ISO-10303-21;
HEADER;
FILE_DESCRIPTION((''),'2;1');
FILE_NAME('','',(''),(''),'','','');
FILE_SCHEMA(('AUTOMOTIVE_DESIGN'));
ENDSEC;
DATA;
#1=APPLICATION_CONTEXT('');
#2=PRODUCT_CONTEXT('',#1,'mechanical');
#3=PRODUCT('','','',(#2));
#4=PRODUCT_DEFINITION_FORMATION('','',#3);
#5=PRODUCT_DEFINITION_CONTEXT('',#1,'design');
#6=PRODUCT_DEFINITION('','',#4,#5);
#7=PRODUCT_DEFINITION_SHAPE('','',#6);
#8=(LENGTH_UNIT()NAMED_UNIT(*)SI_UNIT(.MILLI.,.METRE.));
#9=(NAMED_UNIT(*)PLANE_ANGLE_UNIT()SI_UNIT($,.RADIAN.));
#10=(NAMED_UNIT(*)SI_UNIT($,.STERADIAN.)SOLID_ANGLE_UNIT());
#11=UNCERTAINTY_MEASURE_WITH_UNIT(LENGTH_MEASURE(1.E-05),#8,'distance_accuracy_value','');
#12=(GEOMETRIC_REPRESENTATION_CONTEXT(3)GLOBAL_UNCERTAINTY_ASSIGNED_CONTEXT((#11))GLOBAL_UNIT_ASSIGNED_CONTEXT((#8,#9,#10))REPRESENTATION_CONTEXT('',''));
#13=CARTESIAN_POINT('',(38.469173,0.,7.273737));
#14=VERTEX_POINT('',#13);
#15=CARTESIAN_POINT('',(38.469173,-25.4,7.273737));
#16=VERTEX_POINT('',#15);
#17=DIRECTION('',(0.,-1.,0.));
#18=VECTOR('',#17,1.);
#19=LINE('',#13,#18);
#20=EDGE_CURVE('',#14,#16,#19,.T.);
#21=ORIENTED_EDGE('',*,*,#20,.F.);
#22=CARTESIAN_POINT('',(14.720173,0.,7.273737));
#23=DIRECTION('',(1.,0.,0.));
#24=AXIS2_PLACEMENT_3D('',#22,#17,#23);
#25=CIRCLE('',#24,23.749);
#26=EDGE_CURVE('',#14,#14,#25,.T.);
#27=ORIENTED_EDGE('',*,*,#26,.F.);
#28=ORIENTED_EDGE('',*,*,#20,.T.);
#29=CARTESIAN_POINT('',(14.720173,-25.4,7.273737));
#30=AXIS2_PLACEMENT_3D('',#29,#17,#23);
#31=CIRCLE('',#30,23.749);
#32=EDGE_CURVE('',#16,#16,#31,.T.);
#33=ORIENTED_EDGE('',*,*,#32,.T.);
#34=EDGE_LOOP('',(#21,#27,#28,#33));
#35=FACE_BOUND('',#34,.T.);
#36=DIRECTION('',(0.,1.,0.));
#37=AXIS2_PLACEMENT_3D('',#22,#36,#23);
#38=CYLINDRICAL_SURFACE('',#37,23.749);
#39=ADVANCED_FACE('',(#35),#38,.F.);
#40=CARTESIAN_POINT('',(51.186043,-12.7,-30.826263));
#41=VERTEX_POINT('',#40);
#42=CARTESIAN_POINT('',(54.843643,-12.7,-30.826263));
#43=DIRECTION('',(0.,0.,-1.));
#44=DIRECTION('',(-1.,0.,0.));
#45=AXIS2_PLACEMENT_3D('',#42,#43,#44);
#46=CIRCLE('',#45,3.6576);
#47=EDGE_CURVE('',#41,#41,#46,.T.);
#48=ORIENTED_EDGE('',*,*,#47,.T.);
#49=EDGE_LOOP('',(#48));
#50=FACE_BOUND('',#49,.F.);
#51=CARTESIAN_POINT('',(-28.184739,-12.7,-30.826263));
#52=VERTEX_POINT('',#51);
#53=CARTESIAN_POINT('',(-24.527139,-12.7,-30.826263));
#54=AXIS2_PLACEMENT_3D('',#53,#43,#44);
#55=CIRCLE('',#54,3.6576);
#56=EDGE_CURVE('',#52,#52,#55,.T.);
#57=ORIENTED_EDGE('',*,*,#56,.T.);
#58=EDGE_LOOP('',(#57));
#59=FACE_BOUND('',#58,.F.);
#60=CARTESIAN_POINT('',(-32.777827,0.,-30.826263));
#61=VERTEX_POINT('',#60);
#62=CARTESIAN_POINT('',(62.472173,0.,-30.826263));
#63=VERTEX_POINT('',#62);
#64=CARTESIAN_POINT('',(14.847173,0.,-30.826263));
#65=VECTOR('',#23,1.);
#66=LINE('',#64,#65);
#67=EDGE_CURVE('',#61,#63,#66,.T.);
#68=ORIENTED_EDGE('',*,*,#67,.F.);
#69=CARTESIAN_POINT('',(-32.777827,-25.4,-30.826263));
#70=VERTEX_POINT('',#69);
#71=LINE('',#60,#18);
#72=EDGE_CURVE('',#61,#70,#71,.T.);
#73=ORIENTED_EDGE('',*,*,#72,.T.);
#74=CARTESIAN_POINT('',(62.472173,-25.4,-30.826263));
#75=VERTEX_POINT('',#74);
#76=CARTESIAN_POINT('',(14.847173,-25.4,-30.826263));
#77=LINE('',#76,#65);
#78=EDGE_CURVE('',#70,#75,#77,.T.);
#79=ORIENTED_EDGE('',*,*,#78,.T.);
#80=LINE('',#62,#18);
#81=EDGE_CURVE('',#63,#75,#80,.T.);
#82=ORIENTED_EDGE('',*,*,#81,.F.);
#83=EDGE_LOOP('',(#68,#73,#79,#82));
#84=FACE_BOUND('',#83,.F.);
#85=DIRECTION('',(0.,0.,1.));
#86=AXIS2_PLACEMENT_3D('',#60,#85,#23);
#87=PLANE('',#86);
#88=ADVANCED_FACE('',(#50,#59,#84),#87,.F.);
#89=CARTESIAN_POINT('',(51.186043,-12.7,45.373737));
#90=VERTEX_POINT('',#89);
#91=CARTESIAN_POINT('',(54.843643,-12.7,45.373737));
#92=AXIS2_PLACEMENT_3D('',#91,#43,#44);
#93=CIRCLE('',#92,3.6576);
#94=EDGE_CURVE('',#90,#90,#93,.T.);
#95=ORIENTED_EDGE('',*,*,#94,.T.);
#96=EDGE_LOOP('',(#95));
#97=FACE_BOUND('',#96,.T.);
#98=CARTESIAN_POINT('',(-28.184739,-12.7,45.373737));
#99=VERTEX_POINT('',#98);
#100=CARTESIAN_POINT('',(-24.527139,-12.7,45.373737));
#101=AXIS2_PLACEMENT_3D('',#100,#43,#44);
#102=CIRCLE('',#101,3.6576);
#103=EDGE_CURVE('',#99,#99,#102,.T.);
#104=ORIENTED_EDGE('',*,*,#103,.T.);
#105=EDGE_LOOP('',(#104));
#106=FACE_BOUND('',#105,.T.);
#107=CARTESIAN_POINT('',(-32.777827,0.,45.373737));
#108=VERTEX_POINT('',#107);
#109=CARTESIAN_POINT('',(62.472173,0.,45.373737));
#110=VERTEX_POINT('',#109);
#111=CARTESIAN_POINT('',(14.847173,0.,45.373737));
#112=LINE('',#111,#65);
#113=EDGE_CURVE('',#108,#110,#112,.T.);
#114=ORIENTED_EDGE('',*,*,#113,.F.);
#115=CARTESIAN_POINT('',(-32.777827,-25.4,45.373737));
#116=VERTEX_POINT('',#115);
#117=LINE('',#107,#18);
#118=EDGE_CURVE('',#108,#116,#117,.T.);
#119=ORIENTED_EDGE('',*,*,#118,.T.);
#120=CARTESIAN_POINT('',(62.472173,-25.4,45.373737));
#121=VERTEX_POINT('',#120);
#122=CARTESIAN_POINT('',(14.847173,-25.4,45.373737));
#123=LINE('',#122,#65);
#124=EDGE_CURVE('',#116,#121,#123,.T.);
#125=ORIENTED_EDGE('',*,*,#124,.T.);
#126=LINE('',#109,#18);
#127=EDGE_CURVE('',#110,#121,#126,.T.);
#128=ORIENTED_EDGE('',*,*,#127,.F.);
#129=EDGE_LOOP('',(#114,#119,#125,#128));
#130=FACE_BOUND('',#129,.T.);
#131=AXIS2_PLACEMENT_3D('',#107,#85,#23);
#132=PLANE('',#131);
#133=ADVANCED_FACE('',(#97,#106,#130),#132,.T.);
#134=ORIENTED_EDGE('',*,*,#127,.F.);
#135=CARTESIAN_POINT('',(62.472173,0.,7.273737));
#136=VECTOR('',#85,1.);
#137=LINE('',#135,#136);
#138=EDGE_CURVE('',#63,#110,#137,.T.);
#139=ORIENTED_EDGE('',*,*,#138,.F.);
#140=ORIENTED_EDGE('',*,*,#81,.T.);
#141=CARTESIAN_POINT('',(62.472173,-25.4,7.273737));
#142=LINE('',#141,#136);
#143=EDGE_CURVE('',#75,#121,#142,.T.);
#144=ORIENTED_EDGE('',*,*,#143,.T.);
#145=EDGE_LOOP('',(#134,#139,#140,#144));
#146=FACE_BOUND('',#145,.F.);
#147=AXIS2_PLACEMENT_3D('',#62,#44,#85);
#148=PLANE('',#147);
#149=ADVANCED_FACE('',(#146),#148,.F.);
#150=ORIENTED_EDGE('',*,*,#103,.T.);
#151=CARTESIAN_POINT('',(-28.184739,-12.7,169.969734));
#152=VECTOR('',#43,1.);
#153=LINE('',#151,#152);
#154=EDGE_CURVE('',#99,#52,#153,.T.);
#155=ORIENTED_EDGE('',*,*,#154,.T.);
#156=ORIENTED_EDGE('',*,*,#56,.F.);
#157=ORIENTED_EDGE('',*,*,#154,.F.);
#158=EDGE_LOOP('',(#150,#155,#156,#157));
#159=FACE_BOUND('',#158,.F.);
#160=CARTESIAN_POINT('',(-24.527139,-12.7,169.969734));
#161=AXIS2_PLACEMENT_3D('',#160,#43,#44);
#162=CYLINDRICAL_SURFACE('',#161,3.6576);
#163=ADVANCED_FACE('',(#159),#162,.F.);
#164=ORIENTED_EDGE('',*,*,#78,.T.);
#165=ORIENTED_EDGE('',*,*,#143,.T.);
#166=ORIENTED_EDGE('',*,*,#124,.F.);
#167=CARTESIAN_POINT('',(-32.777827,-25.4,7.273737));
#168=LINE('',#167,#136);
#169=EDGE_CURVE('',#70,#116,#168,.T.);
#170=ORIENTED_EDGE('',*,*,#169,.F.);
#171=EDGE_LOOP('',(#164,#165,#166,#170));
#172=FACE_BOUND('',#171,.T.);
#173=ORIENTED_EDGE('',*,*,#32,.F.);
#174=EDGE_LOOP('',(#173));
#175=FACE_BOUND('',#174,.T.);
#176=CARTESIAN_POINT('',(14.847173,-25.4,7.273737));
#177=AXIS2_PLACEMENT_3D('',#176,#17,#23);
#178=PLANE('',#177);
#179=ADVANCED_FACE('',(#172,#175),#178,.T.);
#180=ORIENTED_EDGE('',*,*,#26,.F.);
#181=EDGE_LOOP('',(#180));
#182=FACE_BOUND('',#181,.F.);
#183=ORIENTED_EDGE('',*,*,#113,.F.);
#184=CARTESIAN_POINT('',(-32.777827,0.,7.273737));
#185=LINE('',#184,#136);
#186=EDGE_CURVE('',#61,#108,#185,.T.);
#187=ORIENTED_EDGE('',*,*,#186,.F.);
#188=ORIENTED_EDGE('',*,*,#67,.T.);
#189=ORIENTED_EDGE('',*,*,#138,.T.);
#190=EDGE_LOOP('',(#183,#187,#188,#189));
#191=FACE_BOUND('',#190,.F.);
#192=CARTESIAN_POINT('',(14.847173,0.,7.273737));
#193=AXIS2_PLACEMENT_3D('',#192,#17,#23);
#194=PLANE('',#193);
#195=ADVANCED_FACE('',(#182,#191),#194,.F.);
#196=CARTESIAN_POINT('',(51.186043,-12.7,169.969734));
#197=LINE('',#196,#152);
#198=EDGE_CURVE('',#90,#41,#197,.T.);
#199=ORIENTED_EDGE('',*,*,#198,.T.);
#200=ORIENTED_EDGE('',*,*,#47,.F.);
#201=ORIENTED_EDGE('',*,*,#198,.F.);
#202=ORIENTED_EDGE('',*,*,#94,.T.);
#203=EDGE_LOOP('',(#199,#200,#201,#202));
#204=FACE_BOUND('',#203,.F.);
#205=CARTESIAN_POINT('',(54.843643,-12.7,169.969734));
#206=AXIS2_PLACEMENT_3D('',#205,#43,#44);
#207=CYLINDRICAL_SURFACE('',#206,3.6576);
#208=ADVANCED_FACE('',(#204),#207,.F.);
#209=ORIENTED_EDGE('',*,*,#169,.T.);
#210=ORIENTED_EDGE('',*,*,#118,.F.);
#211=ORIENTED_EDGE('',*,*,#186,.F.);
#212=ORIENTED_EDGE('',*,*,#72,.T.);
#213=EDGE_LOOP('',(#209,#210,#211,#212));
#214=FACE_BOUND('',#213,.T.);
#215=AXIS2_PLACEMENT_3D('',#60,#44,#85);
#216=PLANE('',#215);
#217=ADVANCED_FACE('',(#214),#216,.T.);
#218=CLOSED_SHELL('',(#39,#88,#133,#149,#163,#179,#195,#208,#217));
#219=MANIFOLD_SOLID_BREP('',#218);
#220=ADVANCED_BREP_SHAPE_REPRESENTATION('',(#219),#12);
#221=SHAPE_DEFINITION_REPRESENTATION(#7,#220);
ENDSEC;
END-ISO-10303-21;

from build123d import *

# Parameters (mm, degrees)
F0_W     = 95.25
F0_H     = 76.2
F0_R     = 23.749
F1_DEPTH = 25.4
F3_D     = 7.3152


with BuildPart() as f1:
    # F0 (on Front) → F1 (new body)
    with BuildSketch(Plane.XZ):
        with Locations((14.847173, 7.273737)):
            Rectangle(F0_W, F0_H)
        with Locations((14.720173, 7.273737)):
            Circle(F0_R, mode=Mode.SUBTRACT)
    extrude(amount=F1_DEPTH)

    # F3 (through all)
    with Locations(Plane.XY.offset(45.373737)):
        with Locations((-24.527139, -12.7), (54.843643, -12.7)):
            Hole(F3_D / 2)


solid = f1.part
